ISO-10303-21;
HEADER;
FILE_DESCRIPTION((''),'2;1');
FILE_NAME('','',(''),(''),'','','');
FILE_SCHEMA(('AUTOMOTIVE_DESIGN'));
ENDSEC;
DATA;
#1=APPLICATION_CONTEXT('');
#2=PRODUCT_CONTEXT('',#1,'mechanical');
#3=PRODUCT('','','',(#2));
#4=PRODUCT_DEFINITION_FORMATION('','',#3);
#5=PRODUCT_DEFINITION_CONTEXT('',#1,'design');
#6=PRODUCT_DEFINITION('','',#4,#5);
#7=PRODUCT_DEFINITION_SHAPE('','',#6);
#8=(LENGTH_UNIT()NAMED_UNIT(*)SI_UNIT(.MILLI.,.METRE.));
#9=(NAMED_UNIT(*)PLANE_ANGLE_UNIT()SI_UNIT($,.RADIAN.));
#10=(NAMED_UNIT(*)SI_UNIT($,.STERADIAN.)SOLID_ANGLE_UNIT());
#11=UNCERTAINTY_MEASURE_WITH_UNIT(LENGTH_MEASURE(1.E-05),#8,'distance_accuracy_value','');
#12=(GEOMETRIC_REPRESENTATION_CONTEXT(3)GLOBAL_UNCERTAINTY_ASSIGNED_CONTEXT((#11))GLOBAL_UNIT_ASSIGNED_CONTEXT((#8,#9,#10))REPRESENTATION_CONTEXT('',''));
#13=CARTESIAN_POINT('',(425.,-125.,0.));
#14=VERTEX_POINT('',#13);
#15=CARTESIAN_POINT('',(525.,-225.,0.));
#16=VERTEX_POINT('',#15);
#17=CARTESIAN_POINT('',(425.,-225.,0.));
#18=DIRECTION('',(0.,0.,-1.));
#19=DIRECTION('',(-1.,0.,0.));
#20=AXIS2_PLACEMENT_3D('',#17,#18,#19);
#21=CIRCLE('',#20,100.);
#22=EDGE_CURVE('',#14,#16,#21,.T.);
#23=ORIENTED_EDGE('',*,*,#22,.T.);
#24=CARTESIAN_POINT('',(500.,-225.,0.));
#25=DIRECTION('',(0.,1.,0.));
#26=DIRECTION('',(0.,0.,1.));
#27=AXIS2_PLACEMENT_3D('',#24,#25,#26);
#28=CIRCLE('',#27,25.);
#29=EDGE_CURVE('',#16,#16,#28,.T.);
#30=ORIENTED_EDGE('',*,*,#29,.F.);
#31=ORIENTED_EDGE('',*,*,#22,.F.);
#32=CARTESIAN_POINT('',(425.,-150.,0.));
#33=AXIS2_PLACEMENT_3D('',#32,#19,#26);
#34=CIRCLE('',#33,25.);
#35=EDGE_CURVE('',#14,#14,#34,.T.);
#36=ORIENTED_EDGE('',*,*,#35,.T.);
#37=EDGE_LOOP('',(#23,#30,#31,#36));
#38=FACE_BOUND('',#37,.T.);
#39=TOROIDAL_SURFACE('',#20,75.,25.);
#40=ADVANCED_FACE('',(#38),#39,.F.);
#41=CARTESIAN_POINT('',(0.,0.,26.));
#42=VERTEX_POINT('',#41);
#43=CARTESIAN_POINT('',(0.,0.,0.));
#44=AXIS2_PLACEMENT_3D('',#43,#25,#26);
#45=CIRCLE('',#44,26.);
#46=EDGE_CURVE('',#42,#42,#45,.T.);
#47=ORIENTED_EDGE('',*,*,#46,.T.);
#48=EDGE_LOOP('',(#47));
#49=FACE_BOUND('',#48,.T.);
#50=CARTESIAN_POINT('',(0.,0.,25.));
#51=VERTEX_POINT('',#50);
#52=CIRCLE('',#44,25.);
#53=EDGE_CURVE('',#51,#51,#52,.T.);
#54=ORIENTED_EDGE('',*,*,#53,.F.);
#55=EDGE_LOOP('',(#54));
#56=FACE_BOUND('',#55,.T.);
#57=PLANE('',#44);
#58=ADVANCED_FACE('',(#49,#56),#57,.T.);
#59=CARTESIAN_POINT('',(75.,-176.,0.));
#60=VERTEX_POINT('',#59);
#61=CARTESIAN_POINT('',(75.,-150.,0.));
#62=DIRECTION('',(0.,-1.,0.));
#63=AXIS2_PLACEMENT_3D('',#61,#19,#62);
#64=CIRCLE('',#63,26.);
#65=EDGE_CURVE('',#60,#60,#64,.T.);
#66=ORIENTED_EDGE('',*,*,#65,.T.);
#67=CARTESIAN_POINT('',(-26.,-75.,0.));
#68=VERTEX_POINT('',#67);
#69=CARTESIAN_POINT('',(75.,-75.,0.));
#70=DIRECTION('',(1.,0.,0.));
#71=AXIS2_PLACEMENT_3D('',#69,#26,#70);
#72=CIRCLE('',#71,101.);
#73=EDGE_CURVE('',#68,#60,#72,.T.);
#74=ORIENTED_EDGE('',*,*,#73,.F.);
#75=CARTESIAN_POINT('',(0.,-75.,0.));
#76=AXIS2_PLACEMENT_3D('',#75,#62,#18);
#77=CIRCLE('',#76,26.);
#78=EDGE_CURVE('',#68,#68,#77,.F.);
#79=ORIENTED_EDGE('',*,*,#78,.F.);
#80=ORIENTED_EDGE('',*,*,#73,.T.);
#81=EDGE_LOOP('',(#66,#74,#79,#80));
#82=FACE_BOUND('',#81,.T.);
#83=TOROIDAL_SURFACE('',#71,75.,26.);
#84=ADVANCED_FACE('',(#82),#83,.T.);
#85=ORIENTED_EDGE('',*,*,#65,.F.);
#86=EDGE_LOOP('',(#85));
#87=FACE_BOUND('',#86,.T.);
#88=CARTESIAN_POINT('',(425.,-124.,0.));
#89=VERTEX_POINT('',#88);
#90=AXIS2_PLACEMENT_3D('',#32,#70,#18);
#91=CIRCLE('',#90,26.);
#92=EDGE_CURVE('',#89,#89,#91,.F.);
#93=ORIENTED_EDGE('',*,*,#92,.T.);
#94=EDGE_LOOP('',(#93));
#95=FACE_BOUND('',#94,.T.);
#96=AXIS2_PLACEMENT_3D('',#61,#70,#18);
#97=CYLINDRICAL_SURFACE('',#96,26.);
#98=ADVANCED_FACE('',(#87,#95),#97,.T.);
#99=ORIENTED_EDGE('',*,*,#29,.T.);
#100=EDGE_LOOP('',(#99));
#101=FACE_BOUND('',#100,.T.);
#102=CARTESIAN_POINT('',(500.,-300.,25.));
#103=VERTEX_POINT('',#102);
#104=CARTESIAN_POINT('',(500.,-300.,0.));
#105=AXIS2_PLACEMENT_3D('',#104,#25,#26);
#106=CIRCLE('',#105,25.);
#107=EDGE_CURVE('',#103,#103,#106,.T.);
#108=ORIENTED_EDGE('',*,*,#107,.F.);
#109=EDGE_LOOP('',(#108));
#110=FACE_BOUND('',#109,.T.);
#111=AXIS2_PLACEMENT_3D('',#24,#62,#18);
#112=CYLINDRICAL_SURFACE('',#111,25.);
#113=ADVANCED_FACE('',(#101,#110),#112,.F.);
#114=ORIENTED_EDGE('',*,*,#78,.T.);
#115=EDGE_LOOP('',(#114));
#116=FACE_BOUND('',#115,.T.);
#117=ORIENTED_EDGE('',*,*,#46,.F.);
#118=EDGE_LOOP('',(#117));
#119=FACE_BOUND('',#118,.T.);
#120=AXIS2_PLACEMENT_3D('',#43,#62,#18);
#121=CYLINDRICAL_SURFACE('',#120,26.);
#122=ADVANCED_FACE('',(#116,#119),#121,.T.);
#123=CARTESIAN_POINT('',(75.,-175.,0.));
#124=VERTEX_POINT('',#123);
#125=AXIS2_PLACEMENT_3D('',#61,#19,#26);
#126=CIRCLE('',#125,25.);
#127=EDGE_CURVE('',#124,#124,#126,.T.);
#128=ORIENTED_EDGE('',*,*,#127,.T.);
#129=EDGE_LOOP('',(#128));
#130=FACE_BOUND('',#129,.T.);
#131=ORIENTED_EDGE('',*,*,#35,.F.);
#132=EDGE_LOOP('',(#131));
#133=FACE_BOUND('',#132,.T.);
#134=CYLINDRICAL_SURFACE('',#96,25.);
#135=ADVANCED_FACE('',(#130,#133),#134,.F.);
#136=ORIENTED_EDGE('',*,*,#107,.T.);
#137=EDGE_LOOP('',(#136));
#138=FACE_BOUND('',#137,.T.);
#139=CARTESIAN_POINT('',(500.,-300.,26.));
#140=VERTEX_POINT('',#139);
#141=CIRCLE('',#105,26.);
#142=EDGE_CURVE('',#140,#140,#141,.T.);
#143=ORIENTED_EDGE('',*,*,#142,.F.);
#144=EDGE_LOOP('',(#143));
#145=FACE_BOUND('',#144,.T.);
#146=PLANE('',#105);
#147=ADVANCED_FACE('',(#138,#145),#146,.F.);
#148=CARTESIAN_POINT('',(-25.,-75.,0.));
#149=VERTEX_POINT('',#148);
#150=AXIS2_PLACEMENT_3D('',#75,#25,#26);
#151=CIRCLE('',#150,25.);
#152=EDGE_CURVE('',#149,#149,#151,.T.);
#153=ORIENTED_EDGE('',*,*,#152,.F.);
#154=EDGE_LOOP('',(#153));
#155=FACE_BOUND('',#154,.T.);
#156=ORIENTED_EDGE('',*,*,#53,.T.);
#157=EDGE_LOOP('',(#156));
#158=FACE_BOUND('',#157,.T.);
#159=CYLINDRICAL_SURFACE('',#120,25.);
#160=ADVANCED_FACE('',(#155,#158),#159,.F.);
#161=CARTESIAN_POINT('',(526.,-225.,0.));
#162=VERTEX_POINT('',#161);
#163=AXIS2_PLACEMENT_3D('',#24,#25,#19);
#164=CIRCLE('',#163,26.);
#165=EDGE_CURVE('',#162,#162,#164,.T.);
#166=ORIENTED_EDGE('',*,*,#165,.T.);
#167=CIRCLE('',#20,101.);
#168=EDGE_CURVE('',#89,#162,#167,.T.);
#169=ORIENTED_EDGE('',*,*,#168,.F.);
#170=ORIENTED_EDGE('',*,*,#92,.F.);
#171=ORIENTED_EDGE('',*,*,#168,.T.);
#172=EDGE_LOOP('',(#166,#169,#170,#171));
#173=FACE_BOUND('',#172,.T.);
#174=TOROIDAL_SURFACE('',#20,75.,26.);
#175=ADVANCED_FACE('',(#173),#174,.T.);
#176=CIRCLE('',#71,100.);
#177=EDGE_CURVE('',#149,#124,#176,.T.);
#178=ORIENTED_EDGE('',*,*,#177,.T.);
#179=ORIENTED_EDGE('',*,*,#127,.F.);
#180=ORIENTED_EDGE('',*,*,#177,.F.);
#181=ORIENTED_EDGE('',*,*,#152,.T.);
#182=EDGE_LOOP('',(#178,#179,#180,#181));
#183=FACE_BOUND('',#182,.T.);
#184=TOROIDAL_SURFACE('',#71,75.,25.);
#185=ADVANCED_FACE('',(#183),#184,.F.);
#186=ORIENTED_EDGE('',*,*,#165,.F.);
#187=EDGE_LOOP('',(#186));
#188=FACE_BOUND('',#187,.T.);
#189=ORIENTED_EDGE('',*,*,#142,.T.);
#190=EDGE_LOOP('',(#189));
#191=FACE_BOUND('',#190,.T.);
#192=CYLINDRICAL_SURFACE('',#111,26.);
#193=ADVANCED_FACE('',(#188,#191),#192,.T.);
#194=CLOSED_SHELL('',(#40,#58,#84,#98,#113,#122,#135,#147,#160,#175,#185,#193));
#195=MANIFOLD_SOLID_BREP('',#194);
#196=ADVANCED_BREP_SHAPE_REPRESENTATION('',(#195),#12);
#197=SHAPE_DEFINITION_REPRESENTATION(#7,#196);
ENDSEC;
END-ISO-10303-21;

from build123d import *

# Parameters (mm, degrees)
SKETCH1_R   = 26
SKETCH1_R_2 = 25


with BuildPart() as part:
    # Sweep-Thin1: sweep along a path in Sketch2
    with BuildLine(Plane.XY) as sweep_thin1_path:
        Line((0, 0), (0, -75))
        ThreePointArc((0, -75), (21.966991411, -128.033008589), (75, -150))
        Line((75, -150), (425, -150))
        ThreePointArc((425, -150), (478.033008589, -171.966991411), (500, -225))
        Line((500, -225), (500, -300))
    # Sketch1 → Sweep-Thin1 (sweep)
    with BuildSketch(Plane(origin=(0, 0, 0), x_dir=(1, 0, 0), z_dir=(0, 1, 0))):
        Circle(SKETCH1_R)
        Circle(SKETCH1_R_2, mode=Mode.SUBTRACT)
    sweep(path=sweep_thin1_path.line)


solid = part.part
